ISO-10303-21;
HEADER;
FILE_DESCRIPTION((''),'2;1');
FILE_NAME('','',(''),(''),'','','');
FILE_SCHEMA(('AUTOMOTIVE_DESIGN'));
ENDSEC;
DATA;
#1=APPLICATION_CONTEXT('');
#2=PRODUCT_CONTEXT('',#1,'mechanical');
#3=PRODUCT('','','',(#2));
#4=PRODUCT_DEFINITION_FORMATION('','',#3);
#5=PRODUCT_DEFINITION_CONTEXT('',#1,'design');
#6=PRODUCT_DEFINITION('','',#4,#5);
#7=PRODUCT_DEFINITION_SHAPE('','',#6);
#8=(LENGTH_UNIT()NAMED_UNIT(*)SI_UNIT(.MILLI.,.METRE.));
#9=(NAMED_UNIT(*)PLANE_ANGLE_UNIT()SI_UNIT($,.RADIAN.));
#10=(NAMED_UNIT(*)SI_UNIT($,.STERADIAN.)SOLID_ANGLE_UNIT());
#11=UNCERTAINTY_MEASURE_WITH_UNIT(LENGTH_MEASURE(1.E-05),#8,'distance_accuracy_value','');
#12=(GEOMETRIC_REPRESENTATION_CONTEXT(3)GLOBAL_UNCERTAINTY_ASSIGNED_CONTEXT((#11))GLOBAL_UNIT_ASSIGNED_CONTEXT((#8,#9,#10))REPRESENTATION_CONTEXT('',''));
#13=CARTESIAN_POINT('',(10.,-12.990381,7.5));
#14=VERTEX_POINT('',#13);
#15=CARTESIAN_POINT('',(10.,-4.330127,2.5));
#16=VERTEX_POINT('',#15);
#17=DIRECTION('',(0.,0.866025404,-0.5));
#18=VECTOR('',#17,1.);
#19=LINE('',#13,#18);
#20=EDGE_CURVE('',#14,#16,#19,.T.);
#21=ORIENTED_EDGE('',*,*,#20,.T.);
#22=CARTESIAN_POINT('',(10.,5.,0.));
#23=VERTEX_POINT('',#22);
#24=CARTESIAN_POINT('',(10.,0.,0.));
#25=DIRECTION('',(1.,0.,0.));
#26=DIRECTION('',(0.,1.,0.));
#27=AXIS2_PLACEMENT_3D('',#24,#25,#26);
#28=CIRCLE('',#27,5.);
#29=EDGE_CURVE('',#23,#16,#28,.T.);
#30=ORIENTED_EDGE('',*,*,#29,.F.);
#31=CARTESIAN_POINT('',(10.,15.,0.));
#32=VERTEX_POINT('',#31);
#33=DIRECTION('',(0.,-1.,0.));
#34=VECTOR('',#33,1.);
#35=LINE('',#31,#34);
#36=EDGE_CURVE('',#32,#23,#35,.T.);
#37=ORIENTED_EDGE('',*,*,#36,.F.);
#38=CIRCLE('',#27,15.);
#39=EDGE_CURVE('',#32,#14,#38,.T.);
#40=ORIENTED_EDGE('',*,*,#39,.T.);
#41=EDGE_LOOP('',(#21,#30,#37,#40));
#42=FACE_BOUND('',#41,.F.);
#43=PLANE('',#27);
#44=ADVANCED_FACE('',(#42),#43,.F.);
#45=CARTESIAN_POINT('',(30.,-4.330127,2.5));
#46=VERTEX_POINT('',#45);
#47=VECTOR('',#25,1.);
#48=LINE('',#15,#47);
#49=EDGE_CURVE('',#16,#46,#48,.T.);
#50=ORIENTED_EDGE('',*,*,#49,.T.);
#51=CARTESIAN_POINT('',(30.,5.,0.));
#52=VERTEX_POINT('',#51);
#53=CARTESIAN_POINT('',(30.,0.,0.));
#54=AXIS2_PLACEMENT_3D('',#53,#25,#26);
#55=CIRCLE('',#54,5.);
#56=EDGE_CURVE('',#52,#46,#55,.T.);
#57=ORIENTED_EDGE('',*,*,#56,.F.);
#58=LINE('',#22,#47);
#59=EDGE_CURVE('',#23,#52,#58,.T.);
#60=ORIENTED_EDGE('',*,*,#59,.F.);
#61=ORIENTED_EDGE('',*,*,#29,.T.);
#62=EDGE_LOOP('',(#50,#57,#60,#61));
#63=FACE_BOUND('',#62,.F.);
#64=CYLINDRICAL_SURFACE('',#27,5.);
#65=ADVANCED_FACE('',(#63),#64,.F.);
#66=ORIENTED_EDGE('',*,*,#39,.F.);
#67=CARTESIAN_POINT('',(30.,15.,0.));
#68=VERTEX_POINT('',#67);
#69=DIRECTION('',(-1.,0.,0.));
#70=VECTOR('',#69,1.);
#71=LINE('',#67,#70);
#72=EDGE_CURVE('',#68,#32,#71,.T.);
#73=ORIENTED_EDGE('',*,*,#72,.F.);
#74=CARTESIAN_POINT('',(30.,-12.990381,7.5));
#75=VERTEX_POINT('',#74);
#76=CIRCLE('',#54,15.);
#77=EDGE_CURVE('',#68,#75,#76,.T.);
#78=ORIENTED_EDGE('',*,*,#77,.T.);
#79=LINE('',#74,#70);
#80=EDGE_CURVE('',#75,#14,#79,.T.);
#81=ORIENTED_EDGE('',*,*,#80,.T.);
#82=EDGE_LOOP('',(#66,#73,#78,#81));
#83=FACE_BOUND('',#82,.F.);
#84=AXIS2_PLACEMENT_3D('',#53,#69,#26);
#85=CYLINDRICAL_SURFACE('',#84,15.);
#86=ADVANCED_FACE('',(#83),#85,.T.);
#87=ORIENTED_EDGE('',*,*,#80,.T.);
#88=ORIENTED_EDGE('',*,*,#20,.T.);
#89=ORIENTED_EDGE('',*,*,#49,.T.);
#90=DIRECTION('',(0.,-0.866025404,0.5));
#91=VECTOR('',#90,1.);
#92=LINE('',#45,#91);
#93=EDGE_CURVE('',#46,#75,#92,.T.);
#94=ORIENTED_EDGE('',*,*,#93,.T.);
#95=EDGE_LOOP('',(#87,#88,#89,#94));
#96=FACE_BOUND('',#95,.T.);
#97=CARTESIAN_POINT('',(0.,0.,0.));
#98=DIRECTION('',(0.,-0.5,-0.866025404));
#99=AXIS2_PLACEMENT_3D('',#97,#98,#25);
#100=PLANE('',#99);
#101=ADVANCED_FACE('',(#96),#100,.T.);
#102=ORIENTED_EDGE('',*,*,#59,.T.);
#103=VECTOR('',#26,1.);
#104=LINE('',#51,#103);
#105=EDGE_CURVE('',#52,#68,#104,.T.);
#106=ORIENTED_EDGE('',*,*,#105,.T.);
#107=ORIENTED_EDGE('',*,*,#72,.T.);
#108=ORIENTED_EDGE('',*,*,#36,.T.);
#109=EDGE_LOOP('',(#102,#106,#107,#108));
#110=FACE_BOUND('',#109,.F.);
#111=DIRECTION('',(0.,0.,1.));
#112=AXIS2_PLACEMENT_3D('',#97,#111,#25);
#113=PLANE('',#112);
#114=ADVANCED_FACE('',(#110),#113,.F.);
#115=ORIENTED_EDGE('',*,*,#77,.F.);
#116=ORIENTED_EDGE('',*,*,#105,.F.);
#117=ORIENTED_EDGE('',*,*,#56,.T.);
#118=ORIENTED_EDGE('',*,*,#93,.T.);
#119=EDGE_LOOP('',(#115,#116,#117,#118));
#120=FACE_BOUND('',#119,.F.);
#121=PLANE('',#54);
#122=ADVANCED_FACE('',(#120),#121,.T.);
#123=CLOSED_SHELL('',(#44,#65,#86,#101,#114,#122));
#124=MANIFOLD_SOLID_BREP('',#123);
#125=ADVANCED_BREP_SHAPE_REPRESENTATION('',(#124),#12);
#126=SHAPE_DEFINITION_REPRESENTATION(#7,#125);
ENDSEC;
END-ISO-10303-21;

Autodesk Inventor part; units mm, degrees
ref_plane "YZ Plane" through (0, 0, 0) normal (1, 0, 0) x (0, 1, 0)
ref_plane "XZ Plane" through (0, 0, 0) normal (0, 1, 0) x (-1, 0, 0)
ref_plane "XY Plane" through (0, 0, 0) normal (0, 0, 1) x (1, 0, 0)
sketch "Sketch1" plane through (0, 0, 0) normal (0, 0, 1) x (1, 0, 0)
  line L0 (10, 5) -> (30, 5)
  line L1 (30, 5) -> (30, 15)
  line L2 (30, 15) -> (10, 15)
  line L3 (10, 15) -> (10, 5)
  line L4 (6, 0) -> (34, 0) projected
revolve "Revolution1" add sketch "Sketch1" angle 150 about axis through (-10, 0, 0) along (1, 0, 0)
properties part number "a_150deg"
